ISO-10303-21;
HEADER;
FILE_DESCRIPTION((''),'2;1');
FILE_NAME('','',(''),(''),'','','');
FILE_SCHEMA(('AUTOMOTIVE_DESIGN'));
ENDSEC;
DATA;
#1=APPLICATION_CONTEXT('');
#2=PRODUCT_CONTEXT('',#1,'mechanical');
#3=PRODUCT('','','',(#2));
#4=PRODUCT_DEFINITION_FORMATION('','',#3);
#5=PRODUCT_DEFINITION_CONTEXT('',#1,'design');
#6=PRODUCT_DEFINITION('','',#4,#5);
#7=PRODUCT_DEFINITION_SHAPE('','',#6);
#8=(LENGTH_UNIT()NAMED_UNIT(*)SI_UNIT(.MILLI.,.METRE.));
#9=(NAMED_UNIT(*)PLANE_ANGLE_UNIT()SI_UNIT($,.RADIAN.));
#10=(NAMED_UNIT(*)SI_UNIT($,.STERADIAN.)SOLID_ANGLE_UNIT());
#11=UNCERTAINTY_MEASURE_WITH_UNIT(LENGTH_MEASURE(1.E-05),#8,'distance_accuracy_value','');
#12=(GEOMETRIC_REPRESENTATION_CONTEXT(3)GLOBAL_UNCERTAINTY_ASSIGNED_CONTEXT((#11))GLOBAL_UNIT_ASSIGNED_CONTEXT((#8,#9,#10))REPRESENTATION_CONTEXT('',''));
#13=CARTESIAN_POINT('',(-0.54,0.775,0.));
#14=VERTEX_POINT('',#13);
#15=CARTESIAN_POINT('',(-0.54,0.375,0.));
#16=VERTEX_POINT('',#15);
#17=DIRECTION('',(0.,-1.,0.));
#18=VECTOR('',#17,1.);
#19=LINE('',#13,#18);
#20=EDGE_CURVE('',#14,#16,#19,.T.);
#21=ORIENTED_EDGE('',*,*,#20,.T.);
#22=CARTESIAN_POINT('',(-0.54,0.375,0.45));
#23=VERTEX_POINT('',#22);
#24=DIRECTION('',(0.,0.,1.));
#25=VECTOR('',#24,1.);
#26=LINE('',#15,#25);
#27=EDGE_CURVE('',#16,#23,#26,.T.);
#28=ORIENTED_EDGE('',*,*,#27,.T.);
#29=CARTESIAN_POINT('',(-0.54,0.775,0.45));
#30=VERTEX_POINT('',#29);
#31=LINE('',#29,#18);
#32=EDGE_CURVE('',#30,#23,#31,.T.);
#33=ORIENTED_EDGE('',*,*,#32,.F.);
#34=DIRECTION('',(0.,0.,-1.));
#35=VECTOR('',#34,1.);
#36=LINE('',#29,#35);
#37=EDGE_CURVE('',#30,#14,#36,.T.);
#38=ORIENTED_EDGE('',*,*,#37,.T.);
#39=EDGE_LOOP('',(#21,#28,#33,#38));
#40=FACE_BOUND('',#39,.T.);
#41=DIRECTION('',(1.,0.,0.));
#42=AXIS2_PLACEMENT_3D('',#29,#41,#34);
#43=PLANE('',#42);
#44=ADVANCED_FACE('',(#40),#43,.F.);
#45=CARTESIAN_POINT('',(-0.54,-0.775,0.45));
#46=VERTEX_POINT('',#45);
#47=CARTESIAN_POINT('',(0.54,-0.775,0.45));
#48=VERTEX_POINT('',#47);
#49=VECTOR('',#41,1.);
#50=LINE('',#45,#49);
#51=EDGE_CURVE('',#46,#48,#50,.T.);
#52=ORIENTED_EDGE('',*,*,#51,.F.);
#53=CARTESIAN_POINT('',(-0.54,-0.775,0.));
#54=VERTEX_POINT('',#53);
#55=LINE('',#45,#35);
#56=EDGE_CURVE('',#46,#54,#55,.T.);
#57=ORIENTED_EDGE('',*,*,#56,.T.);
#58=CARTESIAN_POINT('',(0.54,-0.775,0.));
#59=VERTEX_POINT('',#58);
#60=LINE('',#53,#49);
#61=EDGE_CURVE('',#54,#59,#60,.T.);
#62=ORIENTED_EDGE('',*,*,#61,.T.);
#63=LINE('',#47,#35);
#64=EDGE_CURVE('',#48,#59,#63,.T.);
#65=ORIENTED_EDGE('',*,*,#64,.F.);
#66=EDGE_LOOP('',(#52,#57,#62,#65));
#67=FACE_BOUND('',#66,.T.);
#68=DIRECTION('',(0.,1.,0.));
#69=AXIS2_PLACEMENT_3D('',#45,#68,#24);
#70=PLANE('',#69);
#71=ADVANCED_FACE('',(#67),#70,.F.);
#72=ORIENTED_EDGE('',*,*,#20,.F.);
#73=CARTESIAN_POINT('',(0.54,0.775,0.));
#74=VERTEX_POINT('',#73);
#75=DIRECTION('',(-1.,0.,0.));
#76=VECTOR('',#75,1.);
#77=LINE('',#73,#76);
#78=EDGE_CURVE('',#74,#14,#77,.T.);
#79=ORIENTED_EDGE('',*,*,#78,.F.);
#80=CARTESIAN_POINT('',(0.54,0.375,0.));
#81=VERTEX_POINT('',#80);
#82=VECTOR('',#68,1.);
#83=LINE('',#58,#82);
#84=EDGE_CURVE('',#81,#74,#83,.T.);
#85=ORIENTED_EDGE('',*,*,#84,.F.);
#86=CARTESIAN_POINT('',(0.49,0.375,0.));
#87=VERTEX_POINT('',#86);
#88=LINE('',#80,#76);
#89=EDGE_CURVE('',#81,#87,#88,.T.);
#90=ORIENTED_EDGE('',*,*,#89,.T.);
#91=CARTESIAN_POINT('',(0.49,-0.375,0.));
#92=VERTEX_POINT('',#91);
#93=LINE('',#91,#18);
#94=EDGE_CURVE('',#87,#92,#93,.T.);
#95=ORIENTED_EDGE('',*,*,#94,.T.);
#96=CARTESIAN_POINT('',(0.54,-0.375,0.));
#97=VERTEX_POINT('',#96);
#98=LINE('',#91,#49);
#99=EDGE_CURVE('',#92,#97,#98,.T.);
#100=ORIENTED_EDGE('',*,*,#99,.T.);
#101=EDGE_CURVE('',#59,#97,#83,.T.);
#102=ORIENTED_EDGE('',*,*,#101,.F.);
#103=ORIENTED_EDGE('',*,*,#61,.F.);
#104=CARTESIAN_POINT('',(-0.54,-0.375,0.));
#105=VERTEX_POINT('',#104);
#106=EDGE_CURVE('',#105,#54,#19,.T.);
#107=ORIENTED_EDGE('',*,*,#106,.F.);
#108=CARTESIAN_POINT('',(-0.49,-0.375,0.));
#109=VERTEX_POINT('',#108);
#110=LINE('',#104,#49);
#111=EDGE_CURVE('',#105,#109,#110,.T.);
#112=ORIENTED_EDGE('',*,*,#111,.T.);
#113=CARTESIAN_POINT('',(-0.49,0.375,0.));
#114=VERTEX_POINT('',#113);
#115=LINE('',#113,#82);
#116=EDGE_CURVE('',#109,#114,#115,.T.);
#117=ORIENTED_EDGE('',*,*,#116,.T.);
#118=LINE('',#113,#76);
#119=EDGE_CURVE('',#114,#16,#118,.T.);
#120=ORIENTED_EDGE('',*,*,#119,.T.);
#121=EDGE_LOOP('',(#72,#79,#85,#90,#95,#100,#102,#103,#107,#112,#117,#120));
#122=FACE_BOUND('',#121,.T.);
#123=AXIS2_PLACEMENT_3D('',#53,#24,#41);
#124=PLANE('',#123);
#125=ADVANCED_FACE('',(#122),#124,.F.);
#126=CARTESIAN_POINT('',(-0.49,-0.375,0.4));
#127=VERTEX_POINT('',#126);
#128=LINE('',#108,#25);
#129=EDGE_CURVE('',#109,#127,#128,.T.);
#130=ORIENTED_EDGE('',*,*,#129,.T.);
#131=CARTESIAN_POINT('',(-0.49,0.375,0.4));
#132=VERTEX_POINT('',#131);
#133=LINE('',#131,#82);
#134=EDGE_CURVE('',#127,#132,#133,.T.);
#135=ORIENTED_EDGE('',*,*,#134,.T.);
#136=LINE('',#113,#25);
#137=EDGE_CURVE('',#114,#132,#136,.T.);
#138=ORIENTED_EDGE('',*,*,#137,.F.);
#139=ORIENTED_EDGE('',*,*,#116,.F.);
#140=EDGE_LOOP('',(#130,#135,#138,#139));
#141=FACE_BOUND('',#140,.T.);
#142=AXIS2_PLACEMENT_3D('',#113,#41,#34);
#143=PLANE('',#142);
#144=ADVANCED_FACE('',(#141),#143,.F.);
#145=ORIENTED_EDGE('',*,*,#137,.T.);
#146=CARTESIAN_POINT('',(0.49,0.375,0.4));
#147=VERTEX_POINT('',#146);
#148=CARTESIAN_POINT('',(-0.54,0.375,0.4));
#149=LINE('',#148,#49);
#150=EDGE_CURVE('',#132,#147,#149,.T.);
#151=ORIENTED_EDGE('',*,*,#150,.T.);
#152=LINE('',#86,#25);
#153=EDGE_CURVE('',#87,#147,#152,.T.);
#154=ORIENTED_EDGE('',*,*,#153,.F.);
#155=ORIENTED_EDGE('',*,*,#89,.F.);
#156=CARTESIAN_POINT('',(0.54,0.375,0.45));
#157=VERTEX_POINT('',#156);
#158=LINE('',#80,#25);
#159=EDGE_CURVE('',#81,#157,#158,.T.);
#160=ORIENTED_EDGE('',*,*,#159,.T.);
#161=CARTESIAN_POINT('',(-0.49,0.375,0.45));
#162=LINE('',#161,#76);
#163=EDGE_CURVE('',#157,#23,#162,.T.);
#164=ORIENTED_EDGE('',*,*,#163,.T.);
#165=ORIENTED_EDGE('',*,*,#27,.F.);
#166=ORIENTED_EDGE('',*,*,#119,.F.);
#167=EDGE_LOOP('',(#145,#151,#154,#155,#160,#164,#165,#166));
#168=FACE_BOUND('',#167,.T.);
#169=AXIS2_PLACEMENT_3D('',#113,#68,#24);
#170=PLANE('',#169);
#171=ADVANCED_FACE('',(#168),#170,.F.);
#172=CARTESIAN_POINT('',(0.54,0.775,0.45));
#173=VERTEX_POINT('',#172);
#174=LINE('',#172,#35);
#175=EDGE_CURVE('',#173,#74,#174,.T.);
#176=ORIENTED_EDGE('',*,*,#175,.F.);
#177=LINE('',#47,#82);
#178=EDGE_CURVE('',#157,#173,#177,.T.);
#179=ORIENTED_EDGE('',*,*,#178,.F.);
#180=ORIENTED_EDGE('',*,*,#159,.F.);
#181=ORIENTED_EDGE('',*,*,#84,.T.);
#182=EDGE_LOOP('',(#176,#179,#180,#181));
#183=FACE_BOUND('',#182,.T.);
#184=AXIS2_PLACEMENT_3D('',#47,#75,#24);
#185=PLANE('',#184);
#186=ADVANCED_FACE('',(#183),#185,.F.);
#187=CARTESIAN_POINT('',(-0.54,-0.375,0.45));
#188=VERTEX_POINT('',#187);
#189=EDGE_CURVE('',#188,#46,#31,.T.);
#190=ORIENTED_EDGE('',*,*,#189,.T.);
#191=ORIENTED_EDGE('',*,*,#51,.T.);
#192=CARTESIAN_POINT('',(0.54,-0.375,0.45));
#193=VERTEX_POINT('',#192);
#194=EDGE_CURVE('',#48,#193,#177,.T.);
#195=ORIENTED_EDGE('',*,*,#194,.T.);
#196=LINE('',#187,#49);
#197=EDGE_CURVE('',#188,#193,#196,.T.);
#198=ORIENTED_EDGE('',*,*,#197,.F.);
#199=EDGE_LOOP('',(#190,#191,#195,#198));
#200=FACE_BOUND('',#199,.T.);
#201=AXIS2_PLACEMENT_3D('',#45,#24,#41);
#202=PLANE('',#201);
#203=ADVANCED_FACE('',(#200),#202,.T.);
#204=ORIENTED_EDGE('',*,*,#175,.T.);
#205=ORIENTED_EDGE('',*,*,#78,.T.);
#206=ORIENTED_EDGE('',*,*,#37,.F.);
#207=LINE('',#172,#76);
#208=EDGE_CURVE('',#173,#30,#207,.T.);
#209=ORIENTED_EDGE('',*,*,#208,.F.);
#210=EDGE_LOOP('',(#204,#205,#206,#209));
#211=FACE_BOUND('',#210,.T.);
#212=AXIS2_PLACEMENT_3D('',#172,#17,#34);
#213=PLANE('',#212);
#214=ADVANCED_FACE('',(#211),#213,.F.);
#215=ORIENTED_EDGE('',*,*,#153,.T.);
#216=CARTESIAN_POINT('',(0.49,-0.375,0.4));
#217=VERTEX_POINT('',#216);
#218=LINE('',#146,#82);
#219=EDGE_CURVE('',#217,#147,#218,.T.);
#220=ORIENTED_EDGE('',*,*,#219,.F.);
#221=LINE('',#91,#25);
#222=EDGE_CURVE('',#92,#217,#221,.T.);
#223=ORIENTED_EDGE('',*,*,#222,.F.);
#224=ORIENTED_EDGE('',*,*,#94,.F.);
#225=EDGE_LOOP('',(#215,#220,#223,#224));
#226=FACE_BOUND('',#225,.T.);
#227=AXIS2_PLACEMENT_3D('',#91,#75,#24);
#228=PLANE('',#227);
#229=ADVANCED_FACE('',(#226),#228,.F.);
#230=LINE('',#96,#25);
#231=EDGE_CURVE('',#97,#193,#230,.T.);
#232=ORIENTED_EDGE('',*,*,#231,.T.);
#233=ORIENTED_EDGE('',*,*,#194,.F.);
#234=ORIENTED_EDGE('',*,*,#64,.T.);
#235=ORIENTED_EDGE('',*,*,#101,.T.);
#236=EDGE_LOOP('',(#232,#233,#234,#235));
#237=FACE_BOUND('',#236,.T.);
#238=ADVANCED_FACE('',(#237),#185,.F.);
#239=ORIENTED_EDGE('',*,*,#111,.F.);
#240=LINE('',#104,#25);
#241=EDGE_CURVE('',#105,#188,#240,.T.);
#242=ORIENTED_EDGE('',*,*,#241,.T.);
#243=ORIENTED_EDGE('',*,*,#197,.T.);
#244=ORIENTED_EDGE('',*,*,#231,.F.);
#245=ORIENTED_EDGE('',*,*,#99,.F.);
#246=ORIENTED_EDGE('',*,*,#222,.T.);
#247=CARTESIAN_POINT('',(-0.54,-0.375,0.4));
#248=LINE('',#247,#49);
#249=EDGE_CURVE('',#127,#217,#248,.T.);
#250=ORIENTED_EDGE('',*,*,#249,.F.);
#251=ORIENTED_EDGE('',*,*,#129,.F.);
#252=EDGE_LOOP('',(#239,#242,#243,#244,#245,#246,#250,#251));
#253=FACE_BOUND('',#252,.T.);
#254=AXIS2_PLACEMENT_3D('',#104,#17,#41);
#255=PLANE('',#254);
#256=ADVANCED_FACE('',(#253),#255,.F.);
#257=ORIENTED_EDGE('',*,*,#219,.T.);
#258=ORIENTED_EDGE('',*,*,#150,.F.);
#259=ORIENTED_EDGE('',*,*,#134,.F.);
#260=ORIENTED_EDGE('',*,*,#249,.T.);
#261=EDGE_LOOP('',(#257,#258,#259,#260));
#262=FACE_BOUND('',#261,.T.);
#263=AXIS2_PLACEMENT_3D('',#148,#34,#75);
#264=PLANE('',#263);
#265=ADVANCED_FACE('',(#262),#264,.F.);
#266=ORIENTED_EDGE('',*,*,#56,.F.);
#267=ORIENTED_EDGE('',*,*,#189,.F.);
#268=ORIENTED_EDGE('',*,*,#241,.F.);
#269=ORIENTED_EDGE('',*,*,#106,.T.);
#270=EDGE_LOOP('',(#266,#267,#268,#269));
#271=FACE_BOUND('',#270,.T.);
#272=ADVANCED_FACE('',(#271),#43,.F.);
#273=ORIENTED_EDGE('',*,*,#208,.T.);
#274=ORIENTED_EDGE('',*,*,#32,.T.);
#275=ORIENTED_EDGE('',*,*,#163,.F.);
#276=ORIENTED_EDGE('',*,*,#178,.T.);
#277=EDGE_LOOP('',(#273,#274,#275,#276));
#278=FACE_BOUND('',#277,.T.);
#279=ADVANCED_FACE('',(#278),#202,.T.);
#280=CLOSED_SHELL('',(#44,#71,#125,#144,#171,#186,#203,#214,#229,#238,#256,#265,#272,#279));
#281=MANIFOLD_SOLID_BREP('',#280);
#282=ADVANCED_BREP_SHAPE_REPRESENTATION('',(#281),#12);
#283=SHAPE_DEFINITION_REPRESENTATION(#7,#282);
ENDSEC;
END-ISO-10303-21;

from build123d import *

# Parameters (mm, degrees)
COMPONENT_OUTLINE_W = 1.08
COMPONENT_OUTLINE_H = 1.55
EXTRUDE1_DEPTH      = 0.45
SKETCH2_W           = 0.05
SKETCH2_H           = 0.75
CUT_EXTRUDE1_DEPTH  = 1.45
SKETCH3_W           = 0.05
SKETCH3_H           = 0.75
CUT_EXTRUDE2_DEPTH  = 2.03


with BuildPart() as part:
    # COMPONENT_OUTLINE → Extrude1 (new body)
    with BuildSketch(Plane.XY):
        Rectangle(COMPONENT_OUTLINE_W, COMPONENT_OUTLINE_H)
    extrude(amount=EXTRUDE1_DEPTH)

    # Sketch2 → Cut-Extrude1 (cut, through all)
    with BuildSketch(Plane.XY.offset(0.45)):
        with Locations((-0.515, 0)):
            Rectangle(SKETCH2_W, SKETCH2_H)
        with Locations((0.515, 0)):
            Rectangle(SKETCH2_W, SKETCH2_H)
    extrude(amount=-CUT_EXTRUDE1_DEPTH, mode=Mode.SUBTRACT)

    # Sketch3 → Cut-Extrude2 (cut, through all)
    with BuildSketch(Plane(origin=(0.49, 0, 0), x_dir=(0, 0, -1), z_dir=(1, 0, 0))):
        with Locations((-0.425, 0)):
            Rectangle(SKETCH3_W, SKETCH3_H)
    extrude(amount=-CUT_EXTRUDE2_DEPTH, mode=Mode.SUBTRACT)


solid = part.part
